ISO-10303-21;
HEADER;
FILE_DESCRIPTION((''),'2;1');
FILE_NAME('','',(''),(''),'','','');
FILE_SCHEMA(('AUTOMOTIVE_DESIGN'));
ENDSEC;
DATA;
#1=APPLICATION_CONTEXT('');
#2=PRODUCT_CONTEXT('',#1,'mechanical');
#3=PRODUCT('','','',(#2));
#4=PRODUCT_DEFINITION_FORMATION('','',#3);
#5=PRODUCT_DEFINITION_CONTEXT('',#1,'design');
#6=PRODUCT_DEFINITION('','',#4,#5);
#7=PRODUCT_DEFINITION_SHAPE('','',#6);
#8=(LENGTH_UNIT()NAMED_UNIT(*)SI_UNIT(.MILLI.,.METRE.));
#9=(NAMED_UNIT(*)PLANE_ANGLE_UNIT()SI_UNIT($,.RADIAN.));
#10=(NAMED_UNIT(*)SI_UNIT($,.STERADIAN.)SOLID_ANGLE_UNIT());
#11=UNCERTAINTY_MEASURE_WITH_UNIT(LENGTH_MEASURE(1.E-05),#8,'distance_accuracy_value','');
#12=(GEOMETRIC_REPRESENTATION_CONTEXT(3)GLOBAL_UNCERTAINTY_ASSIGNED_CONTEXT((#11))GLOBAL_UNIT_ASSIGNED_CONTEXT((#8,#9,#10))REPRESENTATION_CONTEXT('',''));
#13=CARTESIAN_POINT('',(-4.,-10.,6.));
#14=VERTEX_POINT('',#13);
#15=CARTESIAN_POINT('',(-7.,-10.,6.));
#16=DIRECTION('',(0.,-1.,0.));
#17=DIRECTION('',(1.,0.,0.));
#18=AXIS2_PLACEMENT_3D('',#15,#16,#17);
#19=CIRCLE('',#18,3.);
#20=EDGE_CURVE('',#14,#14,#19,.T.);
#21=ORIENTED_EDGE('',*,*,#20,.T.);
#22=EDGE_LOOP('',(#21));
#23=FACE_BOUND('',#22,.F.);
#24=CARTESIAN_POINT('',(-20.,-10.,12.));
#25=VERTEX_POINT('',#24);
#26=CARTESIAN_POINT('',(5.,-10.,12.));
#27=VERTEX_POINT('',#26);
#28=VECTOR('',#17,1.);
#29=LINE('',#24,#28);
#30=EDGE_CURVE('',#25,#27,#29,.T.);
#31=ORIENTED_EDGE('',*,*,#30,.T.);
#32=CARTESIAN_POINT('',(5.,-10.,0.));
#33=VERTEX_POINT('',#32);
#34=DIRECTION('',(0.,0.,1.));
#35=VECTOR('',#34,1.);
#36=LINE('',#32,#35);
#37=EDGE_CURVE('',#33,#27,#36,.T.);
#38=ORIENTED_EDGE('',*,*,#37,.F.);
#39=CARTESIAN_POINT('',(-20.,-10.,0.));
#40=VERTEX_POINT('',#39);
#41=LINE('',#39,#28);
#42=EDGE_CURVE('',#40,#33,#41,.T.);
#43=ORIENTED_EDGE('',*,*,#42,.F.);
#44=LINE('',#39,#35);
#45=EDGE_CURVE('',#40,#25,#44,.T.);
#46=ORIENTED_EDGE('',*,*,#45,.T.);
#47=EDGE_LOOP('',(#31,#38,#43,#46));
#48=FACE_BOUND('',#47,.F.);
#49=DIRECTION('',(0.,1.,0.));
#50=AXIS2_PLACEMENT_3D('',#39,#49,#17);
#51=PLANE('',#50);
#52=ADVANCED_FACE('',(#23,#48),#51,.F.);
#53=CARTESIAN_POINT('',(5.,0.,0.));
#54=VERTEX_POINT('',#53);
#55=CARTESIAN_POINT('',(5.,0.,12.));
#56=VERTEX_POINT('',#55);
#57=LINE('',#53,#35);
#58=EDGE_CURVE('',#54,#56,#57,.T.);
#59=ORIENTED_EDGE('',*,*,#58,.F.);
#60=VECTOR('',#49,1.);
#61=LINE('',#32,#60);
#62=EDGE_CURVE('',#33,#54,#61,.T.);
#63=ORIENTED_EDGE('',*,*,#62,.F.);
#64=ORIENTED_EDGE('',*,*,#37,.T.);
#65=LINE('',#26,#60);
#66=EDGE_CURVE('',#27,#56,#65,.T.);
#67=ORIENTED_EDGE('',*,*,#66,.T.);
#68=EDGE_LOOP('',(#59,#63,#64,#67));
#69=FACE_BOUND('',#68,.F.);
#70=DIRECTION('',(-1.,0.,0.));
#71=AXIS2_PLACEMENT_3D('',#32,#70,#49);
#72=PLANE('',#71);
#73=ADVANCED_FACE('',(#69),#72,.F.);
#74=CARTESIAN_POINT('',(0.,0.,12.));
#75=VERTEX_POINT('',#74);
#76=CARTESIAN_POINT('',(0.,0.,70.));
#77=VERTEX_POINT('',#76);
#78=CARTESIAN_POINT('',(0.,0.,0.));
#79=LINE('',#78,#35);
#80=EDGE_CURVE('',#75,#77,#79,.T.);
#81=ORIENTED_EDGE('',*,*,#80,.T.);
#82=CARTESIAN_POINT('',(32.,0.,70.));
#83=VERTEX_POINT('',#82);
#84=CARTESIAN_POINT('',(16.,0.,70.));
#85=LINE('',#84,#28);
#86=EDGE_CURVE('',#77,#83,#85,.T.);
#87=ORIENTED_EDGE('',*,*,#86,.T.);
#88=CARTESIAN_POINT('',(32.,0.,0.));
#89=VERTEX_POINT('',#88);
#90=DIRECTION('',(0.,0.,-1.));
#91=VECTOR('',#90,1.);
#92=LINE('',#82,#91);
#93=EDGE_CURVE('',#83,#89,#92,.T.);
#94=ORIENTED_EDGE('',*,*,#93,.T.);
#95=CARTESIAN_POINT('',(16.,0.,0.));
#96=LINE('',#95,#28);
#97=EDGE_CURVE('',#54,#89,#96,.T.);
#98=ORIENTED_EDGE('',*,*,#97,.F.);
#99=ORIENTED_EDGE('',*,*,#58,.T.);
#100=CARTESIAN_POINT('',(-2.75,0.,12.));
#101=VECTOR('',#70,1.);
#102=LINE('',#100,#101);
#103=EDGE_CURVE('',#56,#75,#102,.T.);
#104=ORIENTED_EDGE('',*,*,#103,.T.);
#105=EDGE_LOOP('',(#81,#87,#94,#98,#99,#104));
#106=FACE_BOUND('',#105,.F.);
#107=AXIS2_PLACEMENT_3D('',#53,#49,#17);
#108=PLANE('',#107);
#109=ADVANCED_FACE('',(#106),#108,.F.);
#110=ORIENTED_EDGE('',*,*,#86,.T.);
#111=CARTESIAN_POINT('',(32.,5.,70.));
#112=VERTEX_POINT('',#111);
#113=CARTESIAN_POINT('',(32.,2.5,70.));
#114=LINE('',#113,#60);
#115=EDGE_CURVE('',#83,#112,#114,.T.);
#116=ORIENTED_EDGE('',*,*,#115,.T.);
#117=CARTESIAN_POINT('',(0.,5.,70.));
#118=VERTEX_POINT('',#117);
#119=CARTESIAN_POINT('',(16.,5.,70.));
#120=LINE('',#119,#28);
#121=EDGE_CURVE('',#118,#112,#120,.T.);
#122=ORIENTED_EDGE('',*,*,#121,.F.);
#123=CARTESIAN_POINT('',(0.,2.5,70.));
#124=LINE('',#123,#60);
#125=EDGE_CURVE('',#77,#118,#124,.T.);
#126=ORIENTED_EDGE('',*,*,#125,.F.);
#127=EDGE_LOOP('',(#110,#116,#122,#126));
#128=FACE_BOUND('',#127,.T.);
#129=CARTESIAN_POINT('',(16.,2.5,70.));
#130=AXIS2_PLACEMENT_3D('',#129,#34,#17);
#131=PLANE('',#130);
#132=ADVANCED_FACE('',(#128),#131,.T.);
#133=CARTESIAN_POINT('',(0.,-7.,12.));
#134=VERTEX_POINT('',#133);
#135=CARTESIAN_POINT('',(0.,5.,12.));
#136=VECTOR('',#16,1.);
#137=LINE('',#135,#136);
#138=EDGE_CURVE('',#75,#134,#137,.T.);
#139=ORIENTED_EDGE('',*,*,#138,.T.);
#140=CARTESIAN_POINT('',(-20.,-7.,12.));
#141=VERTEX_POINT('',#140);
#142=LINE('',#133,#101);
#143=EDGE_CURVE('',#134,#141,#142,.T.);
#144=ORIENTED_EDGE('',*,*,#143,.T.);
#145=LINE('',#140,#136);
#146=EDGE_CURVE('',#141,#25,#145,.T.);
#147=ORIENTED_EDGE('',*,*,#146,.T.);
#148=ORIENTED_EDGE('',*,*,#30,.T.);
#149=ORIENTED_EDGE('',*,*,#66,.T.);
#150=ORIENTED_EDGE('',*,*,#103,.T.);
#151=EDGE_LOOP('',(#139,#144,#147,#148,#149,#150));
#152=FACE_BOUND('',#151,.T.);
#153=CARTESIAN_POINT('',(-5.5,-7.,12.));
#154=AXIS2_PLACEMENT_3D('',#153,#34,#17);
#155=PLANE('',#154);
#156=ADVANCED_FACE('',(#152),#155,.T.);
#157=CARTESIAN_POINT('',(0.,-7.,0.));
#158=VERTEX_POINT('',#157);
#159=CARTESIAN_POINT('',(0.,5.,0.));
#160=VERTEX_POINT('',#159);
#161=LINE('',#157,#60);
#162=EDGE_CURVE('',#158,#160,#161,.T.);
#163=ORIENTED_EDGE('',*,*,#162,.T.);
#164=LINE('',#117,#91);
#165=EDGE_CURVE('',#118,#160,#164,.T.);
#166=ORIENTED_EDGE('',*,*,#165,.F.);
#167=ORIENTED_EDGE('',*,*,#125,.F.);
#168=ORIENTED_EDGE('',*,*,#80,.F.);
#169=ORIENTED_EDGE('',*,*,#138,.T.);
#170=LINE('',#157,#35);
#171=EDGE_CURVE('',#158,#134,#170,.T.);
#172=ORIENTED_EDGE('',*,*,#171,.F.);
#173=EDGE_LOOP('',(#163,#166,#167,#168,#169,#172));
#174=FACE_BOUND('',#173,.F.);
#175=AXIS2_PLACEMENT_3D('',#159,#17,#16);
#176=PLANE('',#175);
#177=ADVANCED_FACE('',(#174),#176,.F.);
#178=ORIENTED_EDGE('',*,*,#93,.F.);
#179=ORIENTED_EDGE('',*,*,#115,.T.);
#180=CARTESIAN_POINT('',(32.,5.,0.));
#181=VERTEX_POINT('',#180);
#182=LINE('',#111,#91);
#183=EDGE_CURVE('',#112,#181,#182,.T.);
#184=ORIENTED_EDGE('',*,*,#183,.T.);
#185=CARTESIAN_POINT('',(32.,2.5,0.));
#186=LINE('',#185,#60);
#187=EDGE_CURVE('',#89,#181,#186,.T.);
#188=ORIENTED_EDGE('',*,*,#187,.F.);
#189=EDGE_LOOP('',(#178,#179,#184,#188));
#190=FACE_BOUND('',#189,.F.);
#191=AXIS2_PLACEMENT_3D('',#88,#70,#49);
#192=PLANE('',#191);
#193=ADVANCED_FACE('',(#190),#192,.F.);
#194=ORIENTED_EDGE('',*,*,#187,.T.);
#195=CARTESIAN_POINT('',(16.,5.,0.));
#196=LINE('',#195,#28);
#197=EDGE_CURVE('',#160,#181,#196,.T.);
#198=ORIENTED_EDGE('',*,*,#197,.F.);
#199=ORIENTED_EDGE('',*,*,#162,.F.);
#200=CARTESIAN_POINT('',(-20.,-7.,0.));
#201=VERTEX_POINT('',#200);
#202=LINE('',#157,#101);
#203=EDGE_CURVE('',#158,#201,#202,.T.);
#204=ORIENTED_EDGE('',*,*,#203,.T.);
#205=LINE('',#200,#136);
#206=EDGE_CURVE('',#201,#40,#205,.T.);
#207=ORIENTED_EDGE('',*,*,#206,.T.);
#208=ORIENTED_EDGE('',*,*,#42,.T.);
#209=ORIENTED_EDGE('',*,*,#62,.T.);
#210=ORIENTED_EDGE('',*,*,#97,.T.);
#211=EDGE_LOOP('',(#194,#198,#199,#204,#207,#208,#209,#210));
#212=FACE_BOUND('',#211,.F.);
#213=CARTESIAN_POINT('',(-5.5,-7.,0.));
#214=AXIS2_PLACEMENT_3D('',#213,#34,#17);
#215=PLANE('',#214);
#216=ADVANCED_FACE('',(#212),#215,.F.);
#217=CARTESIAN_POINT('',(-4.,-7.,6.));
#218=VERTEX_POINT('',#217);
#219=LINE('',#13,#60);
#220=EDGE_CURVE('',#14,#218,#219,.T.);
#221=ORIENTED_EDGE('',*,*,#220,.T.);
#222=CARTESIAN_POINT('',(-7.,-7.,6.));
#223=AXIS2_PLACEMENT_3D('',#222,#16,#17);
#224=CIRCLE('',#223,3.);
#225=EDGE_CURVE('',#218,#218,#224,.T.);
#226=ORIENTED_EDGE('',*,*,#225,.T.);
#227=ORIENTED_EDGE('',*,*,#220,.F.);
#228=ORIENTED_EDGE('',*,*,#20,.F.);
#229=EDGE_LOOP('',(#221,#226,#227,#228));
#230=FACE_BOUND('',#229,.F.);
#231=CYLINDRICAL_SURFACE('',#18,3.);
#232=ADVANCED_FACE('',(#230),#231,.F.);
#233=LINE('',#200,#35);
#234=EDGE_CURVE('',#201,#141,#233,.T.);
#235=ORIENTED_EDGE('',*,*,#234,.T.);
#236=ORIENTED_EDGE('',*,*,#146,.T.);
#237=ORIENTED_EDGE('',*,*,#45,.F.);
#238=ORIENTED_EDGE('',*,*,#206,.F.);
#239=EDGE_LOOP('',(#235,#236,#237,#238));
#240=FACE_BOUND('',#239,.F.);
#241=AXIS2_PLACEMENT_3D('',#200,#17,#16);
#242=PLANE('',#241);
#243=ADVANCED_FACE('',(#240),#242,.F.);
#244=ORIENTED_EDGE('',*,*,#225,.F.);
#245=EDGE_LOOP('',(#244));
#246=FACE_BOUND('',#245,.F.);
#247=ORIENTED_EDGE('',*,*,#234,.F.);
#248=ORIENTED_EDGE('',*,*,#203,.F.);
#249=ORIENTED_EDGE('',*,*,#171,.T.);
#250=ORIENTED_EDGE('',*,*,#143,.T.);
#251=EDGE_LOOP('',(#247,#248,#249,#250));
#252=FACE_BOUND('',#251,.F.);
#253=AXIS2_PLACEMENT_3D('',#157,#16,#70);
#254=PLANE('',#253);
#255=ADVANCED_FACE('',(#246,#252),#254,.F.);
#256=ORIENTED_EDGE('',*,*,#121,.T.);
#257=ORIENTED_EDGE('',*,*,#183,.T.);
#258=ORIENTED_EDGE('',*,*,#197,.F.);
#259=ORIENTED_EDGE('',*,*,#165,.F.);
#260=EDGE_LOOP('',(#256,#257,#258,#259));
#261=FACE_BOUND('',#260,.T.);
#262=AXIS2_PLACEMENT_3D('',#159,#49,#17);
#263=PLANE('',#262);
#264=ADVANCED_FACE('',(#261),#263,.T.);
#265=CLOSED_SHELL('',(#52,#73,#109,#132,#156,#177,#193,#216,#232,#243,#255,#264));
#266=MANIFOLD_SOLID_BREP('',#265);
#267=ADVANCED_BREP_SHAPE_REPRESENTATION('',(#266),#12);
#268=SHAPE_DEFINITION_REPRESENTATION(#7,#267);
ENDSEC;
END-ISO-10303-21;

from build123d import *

# Parameters (mm, degrees)
SKETCH_W     = 32
SKETCH_H     = 5
PAD_DEPTH    = 12
SKETCH001_R  = 3
HOLE_DEPTH   = 15.001
SKETCH002_W  = 32
SKETCH002_H  = 5
PAD001_DEPTH = 70


with BuildPart() as part:
    # Sketch → Pad (new body)
    with BuildSketch(Plane.XY):
        Polygon((-20, -10), (5, -10), (5, 0), (0, 0), (0, -7), (-20, -7), align=None)
        with Locations((16, 2.5)):
            Rectangle(SKETCH_W, SKETCH_H)
    extrude(amount=PAD_DEPTH)

    # Sketch001 (on Face1 of Pad) → Hole (cut, through all)
    with BuildSketch(Plane.XZ.offset(10)):
        with Locations((-7, 6)):
            Circle(SKETCH001_R)
    extrude(amount=-HOLE_DEPTH, mode=Mode.SUBTRACT)

    # Sketch002 → Pad001 (join)
    with BuildSketch(Plane.XY):
        with Locations((16, 2.5)):
            Rectangle(SKETCH002_W, SKETCH002_H)
    extrude(amount=PAD001_DEPTH)


solid = part.part
